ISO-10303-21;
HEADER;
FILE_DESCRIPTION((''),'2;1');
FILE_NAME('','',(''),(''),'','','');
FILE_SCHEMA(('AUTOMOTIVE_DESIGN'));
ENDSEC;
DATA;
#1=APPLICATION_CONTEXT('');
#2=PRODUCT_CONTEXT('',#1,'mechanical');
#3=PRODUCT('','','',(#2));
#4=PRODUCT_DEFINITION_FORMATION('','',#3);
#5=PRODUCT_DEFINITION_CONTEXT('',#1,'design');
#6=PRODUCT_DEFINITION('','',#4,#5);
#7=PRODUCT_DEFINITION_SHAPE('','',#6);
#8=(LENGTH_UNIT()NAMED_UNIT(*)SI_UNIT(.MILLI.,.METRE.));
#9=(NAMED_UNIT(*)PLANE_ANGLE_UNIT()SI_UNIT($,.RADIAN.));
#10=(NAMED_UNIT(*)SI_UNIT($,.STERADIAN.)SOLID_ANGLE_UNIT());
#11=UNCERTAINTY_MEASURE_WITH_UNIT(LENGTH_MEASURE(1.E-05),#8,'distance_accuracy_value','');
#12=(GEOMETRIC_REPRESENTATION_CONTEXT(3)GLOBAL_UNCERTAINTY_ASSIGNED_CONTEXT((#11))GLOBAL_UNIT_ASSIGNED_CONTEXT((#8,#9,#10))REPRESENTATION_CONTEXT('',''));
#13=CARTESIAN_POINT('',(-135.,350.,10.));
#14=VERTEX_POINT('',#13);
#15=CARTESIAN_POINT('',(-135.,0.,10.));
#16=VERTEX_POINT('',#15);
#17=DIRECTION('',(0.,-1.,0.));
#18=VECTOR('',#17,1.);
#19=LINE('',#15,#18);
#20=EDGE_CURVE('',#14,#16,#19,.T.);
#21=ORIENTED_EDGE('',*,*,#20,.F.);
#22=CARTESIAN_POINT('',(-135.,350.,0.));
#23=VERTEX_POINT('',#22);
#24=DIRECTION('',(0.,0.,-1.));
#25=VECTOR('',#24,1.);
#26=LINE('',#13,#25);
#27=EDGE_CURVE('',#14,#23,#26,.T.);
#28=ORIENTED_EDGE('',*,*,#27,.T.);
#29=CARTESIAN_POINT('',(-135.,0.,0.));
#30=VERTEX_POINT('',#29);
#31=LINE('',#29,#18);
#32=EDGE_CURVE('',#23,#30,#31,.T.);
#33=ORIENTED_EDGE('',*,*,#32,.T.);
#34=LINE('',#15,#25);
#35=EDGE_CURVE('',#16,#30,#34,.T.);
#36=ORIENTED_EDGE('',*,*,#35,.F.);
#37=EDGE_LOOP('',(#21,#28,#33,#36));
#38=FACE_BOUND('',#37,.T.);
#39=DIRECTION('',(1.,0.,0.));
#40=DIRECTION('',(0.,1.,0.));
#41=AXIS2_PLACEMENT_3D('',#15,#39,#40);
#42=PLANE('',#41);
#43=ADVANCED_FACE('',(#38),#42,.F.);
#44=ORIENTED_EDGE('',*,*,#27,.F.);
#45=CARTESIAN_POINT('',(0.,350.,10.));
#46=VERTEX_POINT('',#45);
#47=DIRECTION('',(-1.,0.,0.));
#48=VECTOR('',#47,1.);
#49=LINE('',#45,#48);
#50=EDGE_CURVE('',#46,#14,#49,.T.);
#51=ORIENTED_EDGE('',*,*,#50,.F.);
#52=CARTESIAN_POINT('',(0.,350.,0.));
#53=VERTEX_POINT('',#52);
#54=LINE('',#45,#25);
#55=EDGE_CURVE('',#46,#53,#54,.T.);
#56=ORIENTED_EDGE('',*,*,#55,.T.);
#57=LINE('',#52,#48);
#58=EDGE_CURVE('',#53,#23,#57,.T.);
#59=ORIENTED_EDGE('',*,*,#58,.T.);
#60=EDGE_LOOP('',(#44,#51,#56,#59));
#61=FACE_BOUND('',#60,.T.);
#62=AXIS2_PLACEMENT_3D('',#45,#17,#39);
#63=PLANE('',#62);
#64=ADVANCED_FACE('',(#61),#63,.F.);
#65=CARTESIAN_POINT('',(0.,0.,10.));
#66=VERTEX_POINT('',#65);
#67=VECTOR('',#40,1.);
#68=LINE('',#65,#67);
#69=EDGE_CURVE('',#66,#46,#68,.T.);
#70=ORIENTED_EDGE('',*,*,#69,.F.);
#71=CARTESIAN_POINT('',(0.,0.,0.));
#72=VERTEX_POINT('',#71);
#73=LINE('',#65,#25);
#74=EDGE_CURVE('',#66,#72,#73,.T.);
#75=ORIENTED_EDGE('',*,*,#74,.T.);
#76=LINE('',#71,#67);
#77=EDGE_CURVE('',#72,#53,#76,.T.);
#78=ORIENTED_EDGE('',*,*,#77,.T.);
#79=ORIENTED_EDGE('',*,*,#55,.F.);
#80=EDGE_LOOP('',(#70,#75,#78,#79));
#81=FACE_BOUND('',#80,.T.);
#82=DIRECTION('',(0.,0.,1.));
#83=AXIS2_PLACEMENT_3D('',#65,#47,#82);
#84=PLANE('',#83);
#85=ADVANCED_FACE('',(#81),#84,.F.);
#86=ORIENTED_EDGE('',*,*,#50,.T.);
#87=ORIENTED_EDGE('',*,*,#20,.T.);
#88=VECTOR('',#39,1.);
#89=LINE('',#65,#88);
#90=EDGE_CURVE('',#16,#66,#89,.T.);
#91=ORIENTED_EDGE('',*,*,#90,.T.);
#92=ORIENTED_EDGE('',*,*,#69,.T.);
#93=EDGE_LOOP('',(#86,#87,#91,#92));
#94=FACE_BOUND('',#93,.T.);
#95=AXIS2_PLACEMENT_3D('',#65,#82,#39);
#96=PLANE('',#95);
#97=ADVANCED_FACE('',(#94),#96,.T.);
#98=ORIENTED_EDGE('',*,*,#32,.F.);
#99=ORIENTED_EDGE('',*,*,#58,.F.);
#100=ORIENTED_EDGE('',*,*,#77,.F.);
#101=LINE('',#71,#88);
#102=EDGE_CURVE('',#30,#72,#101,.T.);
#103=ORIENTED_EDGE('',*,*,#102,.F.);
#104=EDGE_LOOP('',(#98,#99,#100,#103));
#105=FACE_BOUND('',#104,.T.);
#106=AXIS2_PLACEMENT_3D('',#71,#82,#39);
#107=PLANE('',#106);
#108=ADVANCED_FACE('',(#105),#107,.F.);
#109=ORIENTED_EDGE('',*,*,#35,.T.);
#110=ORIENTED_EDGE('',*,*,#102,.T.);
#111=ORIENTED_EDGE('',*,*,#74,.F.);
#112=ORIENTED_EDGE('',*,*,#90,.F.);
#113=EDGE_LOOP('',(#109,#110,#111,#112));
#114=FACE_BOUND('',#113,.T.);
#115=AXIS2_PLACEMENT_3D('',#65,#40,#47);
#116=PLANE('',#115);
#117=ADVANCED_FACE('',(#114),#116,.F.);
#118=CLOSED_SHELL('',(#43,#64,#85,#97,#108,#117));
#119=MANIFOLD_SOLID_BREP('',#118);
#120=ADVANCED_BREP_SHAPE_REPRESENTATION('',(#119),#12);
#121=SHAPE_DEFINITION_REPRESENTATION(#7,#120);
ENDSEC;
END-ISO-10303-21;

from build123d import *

# Parameters (mm, degrees)
SKETCH3_W           = 135
SKETCH3_H           = 350
BOSS_EXTRUDE1_DEPTH = 10


with BuildPart() as part:
    # Sketch3 → Boss-Extrude1 (new body)
    with BuildSketch(Plane.XY):
        with Locations((-67.5, 175)):
            Rectangle(SKETCH3_W, SKETCH3_H)
    extrude(amount=BOSS_EXTRUDE1_DEPTH)


solid = part.part
